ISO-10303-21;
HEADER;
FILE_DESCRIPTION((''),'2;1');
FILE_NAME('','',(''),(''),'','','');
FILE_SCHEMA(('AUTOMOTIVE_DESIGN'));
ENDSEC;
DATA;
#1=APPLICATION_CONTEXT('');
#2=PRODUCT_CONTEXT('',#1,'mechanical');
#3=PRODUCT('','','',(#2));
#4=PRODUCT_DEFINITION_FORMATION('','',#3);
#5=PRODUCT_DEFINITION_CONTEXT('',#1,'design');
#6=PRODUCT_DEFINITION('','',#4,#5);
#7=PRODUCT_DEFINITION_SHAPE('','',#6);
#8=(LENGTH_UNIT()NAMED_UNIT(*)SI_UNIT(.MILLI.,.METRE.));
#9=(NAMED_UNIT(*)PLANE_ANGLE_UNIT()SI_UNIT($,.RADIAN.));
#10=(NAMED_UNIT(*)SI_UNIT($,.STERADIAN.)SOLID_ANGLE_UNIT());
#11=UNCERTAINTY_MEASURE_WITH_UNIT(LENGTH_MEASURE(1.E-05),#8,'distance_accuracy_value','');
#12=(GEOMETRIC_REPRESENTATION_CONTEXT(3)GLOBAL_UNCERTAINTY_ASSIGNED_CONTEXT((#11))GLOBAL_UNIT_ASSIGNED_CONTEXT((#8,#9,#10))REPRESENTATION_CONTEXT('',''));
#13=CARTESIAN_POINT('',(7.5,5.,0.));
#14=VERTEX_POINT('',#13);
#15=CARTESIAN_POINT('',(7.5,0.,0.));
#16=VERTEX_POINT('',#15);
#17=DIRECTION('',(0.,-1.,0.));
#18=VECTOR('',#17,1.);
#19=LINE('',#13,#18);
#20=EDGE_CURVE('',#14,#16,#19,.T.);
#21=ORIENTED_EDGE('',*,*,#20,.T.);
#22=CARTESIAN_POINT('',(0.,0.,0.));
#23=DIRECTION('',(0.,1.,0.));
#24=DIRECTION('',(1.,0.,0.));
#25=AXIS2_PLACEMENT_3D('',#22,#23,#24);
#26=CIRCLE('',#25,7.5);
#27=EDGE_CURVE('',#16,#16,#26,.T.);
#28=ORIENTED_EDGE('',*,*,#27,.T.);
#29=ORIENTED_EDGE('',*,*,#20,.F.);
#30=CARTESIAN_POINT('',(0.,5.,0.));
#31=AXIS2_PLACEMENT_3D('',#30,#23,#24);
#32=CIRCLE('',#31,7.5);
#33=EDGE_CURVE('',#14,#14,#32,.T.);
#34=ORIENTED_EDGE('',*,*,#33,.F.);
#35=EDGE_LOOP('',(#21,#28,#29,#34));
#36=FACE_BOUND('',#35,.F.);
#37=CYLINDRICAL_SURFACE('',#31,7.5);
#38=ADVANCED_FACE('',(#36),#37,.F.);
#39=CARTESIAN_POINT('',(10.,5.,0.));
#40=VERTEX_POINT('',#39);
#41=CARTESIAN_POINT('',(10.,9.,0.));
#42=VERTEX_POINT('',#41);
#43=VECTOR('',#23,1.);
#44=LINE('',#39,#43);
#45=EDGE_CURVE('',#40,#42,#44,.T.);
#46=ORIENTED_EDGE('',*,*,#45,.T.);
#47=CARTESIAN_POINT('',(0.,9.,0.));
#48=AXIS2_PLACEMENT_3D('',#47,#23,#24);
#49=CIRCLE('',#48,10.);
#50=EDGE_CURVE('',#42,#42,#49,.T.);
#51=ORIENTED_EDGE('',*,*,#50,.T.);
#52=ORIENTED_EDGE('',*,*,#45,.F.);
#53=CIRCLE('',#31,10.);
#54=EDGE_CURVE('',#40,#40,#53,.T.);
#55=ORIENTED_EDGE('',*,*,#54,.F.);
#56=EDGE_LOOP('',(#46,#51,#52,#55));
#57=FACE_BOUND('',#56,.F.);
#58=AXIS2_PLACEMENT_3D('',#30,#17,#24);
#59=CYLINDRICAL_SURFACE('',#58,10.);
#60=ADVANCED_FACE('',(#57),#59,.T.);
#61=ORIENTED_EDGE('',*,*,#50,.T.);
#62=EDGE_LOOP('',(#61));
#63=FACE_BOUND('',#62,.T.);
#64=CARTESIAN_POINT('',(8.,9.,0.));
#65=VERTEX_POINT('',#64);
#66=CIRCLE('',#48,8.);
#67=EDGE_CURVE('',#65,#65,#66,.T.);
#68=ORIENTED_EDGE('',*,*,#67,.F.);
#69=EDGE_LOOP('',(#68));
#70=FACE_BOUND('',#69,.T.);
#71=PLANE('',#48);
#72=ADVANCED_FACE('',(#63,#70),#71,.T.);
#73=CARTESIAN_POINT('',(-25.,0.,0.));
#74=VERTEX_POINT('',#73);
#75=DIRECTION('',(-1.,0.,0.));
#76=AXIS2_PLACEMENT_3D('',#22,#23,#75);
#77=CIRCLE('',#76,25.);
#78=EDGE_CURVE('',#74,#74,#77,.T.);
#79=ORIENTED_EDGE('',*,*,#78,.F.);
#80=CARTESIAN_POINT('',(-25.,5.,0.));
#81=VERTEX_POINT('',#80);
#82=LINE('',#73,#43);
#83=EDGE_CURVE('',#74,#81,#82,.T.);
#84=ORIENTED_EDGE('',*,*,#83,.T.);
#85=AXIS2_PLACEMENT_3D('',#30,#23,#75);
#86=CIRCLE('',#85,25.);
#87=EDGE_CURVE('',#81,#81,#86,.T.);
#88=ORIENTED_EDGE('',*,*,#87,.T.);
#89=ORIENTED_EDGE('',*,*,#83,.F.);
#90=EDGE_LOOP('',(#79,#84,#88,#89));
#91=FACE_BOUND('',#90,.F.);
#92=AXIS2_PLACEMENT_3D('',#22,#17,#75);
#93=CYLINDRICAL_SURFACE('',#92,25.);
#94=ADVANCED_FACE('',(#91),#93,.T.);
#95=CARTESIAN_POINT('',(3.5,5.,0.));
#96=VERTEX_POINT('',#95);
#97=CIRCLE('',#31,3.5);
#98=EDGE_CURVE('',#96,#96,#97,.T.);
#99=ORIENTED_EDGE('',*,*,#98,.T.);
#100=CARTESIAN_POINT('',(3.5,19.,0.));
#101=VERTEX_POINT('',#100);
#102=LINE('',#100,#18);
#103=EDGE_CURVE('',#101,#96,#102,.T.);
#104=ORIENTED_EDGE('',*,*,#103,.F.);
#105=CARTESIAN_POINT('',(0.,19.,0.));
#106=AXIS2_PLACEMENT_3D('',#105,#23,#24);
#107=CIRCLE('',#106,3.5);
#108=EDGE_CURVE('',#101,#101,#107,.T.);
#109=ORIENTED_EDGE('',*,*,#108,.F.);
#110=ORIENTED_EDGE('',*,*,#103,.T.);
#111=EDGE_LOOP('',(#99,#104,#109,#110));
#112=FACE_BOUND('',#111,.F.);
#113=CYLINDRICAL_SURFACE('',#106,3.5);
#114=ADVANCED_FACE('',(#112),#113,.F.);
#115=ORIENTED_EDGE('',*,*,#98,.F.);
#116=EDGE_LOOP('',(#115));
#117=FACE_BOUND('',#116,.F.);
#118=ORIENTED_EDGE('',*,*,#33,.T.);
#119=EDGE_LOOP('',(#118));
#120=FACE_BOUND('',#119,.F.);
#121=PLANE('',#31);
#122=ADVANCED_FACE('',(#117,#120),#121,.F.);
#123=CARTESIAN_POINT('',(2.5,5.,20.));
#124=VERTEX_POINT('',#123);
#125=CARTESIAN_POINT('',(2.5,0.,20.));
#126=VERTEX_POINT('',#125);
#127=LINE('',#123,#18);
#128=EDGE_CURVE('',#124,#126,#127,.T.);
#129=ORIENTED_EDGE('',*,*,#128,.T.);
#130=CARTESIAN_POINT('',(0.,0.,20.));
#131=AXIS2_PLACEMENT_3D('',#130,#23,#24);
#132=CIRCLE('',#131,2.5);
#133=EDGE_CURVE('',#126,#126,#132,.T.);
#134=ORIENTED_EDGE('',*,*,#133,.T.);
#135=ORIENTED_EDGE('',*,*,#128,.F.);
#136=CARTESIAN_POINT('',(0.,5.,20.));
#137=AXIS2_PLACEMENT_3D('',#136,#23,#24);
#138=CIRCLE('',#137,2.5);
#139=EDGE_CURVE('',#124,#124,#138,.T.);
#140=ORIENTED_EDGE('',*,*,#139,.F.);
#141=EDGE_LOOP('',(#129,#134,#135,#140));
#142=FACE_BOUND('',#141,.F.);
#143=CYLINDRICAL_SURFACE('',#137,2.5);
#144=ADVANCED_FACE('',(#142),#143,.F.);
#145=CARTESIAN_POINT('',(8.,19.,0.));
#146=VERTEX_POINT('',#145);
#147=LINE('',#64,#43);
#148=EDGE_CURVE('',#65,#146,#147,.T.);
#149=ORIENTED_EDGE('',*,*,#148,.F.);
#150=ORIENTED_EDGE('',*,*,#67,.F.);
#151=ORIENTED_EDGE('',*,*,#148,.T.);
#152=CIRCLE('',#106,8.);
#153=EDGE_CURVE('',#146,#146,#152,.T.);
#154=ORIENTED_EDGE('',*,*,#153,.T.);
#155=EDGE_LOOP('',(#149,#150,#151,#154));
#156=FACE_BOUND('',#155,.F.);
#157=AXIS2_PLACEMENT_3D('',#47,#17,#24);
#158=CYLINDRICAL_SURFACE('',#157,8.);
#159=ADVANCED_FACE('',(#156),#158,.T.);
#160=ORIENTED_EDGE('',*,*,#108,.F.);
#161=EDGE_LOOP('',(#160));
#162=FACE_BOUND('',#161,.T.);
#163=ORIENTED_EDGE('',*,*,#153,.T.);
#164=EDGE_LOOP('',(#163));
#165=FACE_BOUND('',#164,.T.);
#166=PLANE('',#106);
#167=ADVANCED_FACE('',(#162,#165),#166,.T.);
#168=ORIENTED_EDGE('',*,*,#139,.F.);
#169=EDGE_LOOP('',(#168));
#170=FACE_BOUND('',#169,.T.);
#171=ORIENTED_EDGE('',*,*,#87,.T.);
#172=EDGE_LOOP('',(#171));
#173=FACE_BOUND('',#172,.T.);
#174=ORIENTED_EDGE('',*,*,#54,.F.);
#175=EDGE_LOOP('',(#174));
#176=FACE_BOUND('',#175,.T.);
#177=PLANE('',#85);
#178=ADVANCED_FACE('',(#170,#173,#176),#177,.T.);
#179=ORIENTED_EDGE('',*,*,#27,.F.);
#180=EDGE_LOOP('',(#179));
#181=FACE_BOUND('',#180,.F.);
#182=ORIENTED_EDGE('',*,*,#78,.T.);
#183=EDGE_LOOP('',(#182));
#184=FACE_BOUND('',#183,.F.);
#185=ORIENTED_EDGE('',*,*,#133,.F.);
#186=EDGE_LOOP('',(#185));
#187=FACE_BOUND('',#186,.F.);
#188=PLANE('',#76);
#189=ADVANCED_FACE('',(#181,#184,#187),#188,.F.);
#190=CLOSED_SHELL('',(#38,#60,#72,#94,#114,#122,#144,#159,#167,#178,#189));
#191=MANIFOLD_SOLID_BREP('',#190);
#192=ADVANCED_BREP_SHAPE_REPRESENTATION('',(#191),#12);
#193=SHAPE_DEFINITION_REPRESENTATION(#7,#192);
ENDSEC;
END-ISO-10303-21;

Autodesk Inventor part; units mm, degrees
ref_plane "YZ Plane" through (0, 0, 0) normal (1, 0, 0) x (0, 1, 0)
ref_plane "XZ Plane" through (0, 0, 0) normal (0, 1, 0) x (-1, 0, 0)
ref_plane "XY Plane" through (0, 0, 0) normal (0, 0, 1) x (1, 0, 0)
sketch "Sketch1" plane through (0, 0, 0) normal (0, 1, 0) x (-1, 0, 0)
  circle A0 centre (0, 0) radius 25
  dimension "d0" = 50
extrude "Extrusion1" add sketch "Sketch1" along normal blind 5
sketch "Sketch2" plane through (0, 5, 0) normal (0, 1, 0) x (1, 0, 0)
  circle A0 centre (0, 0) radius 7.5
  dimension "d3" = 15
extrude "Extrusion2" cut sketch "Sketch2" against normal through all
sketch "Sketch4" plane through (0, 5, 0) normal (0, 1, 0) x (1, 0, 0)
  circle A0 centre (0, 0) radius 20 construction
  circle A1 centre (0, -20) radius 2.5
  dimension "d8" = 40
  dimension "d9" = 5
extrude "Extrusion3" cut sketch "Sketch4" against normal through all
sketch "Sketch5" plane through (0, 0, 0) normal (0, -1, 0) x (1, 0, 0)
  line L0 (0, 0) -> (0, 34) construction
  circle A0 centre (0, 20) radius 2.5 construction
  circle A1 centre (0, 0) radius 7.5 construction
  circle A2 centre (0, 0) radius 25 construction
sketch "Sketch6" plane through (0, 5, 0) normal (0, 1, 0) x (1, 0, 0)
  circle A0 centre (0, 0) radius 10
  dimension "d12" = 20
extrude "Extrusion4" add sketch "Sketch6" along normal blind 4
sketch "Sketch7" plane through (0, 9, 0) normal (0, 1, 0) x (1, 0, 0)
  circle A0 centre (0, 0) radius 8
  dimension "d15" = 16
extrude "Extrusion5" add sketch "Sketch7" along normal blind 10
sketch "Sketch8" plane through (0, 19, 0) normal (0, 1, 0) x (1, 0, 0)
  circle A0 centre (0, 0) radius 3.5
  dimension "d18" = 7
extrude "Extrusion6" cut sketch "Sketch8" against normal through all
properties part number "sprzeglo_01"
